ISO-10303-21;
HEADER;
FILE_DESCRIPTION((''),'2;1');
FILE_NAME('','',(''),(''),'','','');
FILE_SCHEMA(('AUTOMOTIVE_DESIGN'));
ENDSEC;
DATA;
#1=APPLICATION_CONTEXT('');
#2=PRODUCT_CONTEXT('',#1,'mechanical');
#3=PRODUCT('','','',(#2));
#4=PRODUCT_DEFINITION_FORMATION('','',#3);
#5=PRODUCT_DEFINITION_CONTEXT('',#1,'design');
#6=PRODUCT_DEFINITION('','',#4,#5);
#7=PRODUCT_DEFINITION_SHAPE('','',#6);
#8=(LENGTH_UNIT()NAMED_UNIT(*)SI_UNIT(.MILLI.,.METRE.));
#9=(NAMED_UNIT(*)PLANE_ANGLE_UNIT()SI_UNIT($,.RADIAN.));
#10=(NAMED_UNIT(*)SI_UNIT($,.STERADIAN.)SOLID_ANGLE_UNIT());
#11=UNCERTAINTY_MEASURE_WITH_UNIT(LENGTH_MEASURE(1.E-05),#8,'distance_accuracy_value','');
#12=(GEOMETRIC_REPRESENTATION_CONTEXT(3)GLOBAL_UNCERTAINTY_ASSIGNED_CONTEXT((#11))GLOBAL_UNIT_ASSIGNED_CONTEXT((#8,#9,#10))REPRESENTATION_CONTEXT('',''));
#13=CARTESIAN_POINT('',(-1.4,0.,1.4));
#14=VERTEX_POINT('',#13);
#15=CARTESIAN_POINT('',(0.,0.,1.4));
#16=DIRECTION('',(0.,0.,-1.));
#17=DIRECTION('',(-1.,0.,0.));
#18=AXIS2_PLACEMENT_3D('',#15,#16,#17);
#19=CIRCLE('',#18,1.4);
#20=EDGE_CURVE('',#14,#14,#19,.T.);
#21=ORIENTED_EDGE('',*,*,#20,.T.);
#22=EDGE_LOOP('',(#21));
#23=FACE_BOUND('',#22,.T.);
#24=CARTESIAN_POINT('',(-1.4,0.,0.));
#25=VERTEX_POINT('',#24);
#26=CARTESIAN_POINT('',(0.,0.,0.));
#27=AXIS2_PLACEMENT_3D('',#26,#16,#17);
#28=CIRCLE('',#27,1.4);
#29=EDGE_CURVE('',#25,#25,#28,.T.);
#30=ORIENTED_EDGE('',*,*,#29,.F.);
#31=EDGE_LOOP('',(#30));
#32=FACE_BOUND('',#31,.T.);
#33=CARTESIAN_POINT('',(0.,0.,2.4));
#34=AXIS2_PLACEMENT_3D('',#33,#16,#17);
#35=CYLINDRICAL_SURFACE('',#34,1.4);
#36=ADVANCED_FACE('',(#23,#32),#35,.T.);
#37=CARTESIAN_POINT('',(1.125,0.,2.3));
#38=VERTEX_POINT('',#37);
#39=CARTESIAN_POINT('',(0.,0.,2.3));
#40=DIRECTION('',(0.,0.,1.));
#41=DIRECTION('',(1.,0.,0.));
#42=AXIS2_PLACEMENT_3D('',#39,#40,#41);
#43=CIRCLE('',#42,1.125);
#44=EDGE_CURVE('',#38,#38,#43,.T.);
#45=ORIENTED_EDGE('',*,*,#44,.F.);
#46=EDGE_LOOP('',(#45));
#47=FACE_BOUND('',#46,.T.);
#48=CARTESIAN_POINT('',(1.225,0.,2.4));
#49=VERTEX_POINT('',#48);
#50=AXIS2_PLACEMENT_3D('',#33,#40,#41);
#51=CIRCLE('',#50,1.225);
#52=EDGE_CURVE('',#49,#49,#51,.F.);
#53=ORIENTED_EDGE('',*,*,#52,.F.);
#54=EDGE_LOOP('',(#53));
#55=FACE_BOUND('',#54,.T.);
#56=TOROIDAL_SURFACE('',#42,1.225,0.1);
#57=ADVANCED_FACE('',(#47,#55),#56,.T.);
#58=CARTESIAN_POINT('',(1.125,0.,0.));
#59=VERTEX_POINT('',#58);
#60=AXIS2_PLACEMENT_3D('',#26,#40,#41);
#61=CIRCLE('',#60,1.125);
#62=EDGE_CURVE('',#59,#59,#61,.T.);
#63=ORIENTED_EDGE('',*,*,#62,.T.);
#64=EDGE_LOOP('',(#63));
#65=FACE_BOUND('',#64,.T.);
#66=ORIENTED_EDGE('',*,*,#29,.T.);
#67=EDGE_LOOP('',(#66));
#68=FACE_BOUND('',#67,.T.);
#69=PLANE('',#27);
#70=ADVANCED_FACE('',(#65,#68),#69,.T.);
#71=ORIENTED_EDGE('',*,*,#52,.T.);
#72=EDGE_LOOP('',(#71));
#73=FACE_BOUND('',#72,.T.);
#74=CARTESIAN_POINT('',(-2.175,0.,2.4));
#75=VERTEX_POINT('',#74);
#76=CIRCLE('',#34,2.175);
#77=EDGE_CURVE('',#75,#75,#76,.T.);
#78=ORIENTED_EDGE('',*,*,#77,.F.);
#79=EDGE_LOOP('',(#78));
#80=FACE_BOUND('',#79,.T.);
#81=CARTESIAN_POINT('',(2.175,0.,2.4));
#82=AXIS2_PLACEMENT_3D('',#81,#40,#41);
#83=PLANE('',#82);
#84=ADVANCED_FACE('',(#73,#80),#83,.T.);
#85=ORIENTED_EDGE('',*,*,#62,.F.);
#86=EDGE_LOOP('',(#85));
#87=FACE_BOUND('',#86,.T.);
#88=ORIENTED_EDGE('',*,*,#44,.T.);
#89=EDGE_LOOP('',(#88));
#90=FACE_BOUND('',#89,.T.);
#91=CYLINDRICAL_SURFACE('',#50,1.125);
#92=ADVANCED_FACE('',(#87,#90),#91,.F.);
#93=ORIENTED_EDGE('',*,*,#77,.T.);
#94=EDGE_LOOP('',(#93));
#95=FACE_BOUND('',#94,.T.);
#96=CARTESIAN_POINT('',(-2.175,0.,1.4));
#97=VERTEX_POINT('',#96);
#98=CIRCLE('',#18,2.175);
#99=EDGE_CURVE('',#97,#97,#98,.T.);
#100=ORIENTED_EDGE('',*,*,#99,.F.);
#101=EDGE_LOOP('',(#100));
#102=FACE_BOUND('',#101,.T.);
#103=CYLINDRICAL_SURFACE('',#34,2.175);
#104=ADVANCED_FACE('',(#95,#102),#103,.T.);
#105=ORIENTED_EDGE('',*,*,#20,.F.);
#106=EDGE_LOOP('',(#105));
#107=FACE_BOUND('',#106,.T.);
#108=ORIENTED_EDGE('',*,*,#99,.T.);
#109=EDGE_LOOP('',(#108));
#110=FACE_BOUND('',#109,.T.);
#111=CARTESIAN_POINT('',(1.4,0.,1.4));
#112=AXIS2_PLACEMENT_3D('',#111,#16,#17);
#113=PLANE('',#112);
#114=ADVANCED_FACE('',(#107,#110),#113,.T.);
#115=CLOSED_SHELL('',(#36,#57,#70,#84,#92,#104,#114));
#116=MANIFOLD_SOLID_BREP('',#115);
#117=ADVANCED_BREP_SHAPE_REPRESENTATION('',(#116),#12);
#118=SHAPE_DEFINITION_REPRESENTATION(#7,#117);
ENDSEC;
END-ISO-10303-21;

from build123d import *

# Parameters (mm, degrees)
HOLEWZD1_D = 2.25
FILLET1_R  = 0.1


with BuildPart() as part:
    # Sketch1 → Revolve1 (revolve)
    with BuildSketch(Plane.XZ, mode=Mode.PRIVATE) as revolve1_sk:
        Polygon((0, 0), (1.4, 0), (1.4, 1.4), (2.175, 1.4), (2.175, 2.4), (0, 2.4), align=None)
    revolve(revolve1_sk.sketch.rotate(Axis((0, 0, 2.4), (0, 0, -1)), 180), axis=Axis((0, 0, 2.4), (0, 0, -1)))

    # HoleWzd1 (through all)
    with Locations(Plane.XY.offset(2.4)):
        with Locations((0, 0)):
            Hole(HOLEWZD1_D / 2)

    # Fillet1
    fillet1_edges = [part.edges().sort_by_distance(p)[0] for p in [
        (1.125, 0, 2.4),
    ]]
    fillet(fillet1_edges, radius=FILLET1_R)


solid = part.part
